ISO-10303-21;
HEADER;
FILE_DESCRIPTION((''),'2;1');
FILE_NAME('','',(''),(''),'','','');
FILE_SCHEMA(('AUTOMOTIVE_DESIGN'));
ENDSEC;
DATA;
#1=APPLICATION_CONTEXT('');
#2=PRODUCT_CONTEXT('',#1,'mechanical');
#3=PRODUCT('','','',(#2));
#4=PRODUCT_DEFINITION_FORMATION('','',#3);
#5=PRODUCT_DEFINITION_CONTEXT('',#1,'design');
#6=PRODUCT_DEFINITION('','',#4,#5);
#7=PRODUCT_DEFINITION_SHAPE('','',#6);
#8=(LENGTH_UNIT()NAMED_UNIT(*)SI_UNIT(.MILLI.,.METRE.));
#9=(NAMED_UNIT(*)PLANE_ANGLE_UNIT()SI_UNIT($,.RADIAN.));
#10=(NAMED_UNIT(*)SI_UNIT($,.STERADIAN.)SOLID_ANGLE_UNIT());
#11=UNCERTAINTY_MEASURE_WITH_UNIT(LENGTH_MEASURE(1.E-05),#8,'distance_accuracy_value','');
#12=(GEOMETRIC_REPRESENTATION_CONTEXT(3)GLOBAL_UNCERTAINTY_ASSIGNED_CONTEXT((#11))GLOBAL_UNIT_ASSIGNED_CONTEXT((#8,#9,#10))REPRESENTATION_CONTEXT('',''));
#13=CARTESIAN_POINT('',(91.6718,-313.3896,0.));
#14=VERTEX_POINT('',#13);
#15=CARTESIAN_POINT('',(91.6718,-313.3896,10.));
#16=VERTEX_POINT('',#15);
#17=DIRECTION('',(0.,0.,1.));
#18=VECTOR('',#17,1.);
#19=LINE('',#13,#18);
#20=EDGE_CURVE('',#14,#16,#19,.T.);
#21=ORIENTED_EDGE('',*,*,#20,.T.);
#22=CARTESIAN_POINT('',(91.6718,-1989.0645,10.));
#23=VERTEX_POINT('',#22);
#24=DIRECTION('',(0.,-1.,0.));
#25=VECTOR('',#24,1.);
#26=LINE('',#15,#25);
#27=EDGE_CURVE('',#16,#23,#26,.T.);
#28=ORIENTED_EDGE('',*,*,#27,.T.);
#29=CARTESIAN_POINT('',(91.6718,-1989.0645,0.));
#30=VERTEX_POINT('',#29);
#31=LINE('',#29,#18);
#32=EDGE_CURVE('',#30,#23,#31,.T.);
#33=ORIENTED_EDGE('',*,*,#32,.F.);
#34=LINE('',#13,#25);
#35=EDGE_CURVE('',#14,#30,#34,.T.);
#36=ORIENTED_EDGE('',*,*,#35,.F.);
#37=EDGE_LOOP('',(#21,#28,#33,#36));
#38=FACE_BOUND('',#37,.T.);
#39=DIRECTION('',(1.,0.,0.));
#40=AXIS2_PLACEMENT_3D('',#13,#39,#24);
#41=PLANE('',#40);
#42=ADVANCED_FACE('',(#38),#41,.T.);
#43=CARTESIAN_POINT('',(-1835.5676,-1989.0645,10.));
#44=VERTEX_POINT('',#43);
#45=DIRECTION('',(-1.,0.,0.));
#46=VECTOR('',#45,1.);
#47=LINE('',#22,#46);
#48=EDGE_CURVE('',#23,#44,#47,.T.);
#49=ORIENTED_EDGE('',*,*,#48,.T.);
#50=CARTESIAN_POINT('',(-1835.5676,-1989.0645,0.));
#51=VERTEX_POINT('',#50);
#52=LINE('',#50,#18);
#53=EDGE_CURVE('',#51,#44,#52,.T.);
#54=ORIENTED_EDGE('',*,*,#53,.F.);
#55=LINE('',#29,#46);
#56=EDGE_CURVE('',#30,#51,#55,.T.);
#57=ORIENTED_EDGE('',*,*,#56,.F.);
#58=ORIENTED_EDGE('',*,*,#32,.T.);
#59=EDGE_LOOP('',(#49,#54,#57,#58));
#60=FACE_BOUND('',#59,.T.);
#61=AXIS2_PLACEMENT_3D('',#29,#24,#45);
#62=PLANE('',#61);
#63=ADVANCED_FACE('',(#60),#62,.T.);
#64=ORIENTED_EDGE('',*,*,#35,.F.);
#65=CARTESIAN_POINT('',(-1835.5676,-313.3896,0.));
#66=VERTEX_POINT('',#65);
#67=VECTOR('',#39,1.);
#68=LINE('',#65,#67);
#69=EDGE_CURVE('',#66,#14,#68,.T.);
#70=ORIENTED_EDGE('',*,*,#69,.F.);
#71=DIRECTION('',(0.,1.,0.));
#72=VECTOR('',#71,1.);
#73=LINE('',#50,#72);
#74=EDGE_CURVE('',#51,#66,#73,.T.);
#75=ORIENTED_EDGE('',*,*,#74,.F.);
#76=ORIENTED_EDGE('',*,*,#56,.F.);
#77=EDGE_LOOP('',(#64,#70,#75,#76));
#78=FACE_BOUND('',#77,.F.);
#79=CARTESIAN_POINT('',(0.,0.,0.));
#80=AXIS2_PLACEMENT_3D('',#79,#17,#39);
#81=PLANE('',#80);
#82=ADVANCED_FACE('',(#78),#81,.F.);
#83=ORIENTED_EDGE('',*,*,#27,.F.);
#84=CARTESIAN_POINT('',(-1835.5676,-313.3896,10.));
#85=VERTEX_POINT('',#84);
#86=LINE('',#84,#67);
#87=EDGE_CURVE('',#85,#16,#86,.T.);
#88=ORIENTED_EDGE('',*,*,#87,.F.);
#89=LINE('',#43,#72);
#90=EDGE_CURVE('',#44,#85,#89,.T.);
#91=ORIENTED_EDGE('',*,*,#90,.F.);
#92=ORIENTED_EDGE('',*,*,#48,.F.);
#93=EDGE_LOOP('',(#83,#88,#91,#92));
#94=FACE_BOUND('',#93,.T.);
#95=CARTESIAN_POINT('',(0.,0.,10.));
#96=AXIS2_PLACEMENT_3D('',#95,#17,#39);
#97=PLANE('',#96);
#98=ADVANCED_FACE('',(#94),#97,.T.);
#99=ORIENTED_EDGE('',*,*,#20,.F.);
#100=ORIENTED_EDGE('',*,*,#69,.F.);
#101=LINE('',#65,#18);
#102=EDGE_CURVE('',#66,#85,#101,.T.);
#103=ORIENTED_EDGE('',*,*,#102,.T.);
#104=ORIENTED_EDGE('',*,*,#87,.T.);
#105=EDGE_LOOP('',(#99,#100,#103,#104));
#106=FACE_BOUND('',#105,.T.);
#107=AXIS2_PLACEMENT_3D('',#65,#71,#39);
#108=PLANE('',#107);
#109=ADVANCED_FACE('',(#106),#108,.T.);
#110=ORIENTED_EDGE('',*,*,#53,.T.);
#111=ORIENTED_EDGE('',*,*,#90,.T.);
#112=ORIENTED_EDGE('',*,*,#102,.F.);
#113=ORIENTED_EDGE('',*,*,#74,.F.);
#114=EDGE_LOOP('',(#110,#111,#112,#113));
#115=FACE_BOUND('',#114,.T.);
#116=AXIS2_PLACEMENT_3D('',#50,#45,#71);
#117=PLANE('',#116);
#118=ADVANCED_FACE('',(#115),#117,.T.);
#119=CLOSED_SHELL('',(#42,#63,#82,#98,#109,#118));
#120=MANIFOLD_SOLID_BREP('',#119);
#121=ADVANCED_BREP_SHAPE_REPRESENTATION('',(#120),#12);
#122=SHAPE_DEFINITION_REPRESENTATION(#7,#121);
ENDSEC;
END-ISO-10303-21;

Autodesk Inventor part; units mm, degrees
ref_plane "YZ Plane" through (0, 0, 0) normal (1, 0, 0) x (0, 1, 0)
ref_plane "XZ Plane" through (0, 0, 0) normal (0, 1, 0) x (-1, 0, 0)
ref_plane "XY Plane" through (0, 0, 0) normal (0, 0, 1) x (1, 0, 0)
ref_plane "РабПлоскость1" through (0, 0, 0) normal (0, 0, 1) x (1, 0, 0)
sketch "Эскиз1" plane through (0, 0, 0) normal (0, 0, 1) x (1, 0, 0)
  line L0 (91.6718, -1989.0645) -> (-1835.5676, -1989.0645)
  line L1 (-1835.5676, -1989.0645) -> (-1835.5676, -313.3896)
  line L2 (-1835.5676, -313.3896) -> (91.6718, -313.3896)
  line L3 (91.6718, -313.3896) -> (91.6718, -1989.0645)
  point P0 (0, 0)
extrude "Выдавливание1" add sketch "Эскиз1" along normal blind 10
